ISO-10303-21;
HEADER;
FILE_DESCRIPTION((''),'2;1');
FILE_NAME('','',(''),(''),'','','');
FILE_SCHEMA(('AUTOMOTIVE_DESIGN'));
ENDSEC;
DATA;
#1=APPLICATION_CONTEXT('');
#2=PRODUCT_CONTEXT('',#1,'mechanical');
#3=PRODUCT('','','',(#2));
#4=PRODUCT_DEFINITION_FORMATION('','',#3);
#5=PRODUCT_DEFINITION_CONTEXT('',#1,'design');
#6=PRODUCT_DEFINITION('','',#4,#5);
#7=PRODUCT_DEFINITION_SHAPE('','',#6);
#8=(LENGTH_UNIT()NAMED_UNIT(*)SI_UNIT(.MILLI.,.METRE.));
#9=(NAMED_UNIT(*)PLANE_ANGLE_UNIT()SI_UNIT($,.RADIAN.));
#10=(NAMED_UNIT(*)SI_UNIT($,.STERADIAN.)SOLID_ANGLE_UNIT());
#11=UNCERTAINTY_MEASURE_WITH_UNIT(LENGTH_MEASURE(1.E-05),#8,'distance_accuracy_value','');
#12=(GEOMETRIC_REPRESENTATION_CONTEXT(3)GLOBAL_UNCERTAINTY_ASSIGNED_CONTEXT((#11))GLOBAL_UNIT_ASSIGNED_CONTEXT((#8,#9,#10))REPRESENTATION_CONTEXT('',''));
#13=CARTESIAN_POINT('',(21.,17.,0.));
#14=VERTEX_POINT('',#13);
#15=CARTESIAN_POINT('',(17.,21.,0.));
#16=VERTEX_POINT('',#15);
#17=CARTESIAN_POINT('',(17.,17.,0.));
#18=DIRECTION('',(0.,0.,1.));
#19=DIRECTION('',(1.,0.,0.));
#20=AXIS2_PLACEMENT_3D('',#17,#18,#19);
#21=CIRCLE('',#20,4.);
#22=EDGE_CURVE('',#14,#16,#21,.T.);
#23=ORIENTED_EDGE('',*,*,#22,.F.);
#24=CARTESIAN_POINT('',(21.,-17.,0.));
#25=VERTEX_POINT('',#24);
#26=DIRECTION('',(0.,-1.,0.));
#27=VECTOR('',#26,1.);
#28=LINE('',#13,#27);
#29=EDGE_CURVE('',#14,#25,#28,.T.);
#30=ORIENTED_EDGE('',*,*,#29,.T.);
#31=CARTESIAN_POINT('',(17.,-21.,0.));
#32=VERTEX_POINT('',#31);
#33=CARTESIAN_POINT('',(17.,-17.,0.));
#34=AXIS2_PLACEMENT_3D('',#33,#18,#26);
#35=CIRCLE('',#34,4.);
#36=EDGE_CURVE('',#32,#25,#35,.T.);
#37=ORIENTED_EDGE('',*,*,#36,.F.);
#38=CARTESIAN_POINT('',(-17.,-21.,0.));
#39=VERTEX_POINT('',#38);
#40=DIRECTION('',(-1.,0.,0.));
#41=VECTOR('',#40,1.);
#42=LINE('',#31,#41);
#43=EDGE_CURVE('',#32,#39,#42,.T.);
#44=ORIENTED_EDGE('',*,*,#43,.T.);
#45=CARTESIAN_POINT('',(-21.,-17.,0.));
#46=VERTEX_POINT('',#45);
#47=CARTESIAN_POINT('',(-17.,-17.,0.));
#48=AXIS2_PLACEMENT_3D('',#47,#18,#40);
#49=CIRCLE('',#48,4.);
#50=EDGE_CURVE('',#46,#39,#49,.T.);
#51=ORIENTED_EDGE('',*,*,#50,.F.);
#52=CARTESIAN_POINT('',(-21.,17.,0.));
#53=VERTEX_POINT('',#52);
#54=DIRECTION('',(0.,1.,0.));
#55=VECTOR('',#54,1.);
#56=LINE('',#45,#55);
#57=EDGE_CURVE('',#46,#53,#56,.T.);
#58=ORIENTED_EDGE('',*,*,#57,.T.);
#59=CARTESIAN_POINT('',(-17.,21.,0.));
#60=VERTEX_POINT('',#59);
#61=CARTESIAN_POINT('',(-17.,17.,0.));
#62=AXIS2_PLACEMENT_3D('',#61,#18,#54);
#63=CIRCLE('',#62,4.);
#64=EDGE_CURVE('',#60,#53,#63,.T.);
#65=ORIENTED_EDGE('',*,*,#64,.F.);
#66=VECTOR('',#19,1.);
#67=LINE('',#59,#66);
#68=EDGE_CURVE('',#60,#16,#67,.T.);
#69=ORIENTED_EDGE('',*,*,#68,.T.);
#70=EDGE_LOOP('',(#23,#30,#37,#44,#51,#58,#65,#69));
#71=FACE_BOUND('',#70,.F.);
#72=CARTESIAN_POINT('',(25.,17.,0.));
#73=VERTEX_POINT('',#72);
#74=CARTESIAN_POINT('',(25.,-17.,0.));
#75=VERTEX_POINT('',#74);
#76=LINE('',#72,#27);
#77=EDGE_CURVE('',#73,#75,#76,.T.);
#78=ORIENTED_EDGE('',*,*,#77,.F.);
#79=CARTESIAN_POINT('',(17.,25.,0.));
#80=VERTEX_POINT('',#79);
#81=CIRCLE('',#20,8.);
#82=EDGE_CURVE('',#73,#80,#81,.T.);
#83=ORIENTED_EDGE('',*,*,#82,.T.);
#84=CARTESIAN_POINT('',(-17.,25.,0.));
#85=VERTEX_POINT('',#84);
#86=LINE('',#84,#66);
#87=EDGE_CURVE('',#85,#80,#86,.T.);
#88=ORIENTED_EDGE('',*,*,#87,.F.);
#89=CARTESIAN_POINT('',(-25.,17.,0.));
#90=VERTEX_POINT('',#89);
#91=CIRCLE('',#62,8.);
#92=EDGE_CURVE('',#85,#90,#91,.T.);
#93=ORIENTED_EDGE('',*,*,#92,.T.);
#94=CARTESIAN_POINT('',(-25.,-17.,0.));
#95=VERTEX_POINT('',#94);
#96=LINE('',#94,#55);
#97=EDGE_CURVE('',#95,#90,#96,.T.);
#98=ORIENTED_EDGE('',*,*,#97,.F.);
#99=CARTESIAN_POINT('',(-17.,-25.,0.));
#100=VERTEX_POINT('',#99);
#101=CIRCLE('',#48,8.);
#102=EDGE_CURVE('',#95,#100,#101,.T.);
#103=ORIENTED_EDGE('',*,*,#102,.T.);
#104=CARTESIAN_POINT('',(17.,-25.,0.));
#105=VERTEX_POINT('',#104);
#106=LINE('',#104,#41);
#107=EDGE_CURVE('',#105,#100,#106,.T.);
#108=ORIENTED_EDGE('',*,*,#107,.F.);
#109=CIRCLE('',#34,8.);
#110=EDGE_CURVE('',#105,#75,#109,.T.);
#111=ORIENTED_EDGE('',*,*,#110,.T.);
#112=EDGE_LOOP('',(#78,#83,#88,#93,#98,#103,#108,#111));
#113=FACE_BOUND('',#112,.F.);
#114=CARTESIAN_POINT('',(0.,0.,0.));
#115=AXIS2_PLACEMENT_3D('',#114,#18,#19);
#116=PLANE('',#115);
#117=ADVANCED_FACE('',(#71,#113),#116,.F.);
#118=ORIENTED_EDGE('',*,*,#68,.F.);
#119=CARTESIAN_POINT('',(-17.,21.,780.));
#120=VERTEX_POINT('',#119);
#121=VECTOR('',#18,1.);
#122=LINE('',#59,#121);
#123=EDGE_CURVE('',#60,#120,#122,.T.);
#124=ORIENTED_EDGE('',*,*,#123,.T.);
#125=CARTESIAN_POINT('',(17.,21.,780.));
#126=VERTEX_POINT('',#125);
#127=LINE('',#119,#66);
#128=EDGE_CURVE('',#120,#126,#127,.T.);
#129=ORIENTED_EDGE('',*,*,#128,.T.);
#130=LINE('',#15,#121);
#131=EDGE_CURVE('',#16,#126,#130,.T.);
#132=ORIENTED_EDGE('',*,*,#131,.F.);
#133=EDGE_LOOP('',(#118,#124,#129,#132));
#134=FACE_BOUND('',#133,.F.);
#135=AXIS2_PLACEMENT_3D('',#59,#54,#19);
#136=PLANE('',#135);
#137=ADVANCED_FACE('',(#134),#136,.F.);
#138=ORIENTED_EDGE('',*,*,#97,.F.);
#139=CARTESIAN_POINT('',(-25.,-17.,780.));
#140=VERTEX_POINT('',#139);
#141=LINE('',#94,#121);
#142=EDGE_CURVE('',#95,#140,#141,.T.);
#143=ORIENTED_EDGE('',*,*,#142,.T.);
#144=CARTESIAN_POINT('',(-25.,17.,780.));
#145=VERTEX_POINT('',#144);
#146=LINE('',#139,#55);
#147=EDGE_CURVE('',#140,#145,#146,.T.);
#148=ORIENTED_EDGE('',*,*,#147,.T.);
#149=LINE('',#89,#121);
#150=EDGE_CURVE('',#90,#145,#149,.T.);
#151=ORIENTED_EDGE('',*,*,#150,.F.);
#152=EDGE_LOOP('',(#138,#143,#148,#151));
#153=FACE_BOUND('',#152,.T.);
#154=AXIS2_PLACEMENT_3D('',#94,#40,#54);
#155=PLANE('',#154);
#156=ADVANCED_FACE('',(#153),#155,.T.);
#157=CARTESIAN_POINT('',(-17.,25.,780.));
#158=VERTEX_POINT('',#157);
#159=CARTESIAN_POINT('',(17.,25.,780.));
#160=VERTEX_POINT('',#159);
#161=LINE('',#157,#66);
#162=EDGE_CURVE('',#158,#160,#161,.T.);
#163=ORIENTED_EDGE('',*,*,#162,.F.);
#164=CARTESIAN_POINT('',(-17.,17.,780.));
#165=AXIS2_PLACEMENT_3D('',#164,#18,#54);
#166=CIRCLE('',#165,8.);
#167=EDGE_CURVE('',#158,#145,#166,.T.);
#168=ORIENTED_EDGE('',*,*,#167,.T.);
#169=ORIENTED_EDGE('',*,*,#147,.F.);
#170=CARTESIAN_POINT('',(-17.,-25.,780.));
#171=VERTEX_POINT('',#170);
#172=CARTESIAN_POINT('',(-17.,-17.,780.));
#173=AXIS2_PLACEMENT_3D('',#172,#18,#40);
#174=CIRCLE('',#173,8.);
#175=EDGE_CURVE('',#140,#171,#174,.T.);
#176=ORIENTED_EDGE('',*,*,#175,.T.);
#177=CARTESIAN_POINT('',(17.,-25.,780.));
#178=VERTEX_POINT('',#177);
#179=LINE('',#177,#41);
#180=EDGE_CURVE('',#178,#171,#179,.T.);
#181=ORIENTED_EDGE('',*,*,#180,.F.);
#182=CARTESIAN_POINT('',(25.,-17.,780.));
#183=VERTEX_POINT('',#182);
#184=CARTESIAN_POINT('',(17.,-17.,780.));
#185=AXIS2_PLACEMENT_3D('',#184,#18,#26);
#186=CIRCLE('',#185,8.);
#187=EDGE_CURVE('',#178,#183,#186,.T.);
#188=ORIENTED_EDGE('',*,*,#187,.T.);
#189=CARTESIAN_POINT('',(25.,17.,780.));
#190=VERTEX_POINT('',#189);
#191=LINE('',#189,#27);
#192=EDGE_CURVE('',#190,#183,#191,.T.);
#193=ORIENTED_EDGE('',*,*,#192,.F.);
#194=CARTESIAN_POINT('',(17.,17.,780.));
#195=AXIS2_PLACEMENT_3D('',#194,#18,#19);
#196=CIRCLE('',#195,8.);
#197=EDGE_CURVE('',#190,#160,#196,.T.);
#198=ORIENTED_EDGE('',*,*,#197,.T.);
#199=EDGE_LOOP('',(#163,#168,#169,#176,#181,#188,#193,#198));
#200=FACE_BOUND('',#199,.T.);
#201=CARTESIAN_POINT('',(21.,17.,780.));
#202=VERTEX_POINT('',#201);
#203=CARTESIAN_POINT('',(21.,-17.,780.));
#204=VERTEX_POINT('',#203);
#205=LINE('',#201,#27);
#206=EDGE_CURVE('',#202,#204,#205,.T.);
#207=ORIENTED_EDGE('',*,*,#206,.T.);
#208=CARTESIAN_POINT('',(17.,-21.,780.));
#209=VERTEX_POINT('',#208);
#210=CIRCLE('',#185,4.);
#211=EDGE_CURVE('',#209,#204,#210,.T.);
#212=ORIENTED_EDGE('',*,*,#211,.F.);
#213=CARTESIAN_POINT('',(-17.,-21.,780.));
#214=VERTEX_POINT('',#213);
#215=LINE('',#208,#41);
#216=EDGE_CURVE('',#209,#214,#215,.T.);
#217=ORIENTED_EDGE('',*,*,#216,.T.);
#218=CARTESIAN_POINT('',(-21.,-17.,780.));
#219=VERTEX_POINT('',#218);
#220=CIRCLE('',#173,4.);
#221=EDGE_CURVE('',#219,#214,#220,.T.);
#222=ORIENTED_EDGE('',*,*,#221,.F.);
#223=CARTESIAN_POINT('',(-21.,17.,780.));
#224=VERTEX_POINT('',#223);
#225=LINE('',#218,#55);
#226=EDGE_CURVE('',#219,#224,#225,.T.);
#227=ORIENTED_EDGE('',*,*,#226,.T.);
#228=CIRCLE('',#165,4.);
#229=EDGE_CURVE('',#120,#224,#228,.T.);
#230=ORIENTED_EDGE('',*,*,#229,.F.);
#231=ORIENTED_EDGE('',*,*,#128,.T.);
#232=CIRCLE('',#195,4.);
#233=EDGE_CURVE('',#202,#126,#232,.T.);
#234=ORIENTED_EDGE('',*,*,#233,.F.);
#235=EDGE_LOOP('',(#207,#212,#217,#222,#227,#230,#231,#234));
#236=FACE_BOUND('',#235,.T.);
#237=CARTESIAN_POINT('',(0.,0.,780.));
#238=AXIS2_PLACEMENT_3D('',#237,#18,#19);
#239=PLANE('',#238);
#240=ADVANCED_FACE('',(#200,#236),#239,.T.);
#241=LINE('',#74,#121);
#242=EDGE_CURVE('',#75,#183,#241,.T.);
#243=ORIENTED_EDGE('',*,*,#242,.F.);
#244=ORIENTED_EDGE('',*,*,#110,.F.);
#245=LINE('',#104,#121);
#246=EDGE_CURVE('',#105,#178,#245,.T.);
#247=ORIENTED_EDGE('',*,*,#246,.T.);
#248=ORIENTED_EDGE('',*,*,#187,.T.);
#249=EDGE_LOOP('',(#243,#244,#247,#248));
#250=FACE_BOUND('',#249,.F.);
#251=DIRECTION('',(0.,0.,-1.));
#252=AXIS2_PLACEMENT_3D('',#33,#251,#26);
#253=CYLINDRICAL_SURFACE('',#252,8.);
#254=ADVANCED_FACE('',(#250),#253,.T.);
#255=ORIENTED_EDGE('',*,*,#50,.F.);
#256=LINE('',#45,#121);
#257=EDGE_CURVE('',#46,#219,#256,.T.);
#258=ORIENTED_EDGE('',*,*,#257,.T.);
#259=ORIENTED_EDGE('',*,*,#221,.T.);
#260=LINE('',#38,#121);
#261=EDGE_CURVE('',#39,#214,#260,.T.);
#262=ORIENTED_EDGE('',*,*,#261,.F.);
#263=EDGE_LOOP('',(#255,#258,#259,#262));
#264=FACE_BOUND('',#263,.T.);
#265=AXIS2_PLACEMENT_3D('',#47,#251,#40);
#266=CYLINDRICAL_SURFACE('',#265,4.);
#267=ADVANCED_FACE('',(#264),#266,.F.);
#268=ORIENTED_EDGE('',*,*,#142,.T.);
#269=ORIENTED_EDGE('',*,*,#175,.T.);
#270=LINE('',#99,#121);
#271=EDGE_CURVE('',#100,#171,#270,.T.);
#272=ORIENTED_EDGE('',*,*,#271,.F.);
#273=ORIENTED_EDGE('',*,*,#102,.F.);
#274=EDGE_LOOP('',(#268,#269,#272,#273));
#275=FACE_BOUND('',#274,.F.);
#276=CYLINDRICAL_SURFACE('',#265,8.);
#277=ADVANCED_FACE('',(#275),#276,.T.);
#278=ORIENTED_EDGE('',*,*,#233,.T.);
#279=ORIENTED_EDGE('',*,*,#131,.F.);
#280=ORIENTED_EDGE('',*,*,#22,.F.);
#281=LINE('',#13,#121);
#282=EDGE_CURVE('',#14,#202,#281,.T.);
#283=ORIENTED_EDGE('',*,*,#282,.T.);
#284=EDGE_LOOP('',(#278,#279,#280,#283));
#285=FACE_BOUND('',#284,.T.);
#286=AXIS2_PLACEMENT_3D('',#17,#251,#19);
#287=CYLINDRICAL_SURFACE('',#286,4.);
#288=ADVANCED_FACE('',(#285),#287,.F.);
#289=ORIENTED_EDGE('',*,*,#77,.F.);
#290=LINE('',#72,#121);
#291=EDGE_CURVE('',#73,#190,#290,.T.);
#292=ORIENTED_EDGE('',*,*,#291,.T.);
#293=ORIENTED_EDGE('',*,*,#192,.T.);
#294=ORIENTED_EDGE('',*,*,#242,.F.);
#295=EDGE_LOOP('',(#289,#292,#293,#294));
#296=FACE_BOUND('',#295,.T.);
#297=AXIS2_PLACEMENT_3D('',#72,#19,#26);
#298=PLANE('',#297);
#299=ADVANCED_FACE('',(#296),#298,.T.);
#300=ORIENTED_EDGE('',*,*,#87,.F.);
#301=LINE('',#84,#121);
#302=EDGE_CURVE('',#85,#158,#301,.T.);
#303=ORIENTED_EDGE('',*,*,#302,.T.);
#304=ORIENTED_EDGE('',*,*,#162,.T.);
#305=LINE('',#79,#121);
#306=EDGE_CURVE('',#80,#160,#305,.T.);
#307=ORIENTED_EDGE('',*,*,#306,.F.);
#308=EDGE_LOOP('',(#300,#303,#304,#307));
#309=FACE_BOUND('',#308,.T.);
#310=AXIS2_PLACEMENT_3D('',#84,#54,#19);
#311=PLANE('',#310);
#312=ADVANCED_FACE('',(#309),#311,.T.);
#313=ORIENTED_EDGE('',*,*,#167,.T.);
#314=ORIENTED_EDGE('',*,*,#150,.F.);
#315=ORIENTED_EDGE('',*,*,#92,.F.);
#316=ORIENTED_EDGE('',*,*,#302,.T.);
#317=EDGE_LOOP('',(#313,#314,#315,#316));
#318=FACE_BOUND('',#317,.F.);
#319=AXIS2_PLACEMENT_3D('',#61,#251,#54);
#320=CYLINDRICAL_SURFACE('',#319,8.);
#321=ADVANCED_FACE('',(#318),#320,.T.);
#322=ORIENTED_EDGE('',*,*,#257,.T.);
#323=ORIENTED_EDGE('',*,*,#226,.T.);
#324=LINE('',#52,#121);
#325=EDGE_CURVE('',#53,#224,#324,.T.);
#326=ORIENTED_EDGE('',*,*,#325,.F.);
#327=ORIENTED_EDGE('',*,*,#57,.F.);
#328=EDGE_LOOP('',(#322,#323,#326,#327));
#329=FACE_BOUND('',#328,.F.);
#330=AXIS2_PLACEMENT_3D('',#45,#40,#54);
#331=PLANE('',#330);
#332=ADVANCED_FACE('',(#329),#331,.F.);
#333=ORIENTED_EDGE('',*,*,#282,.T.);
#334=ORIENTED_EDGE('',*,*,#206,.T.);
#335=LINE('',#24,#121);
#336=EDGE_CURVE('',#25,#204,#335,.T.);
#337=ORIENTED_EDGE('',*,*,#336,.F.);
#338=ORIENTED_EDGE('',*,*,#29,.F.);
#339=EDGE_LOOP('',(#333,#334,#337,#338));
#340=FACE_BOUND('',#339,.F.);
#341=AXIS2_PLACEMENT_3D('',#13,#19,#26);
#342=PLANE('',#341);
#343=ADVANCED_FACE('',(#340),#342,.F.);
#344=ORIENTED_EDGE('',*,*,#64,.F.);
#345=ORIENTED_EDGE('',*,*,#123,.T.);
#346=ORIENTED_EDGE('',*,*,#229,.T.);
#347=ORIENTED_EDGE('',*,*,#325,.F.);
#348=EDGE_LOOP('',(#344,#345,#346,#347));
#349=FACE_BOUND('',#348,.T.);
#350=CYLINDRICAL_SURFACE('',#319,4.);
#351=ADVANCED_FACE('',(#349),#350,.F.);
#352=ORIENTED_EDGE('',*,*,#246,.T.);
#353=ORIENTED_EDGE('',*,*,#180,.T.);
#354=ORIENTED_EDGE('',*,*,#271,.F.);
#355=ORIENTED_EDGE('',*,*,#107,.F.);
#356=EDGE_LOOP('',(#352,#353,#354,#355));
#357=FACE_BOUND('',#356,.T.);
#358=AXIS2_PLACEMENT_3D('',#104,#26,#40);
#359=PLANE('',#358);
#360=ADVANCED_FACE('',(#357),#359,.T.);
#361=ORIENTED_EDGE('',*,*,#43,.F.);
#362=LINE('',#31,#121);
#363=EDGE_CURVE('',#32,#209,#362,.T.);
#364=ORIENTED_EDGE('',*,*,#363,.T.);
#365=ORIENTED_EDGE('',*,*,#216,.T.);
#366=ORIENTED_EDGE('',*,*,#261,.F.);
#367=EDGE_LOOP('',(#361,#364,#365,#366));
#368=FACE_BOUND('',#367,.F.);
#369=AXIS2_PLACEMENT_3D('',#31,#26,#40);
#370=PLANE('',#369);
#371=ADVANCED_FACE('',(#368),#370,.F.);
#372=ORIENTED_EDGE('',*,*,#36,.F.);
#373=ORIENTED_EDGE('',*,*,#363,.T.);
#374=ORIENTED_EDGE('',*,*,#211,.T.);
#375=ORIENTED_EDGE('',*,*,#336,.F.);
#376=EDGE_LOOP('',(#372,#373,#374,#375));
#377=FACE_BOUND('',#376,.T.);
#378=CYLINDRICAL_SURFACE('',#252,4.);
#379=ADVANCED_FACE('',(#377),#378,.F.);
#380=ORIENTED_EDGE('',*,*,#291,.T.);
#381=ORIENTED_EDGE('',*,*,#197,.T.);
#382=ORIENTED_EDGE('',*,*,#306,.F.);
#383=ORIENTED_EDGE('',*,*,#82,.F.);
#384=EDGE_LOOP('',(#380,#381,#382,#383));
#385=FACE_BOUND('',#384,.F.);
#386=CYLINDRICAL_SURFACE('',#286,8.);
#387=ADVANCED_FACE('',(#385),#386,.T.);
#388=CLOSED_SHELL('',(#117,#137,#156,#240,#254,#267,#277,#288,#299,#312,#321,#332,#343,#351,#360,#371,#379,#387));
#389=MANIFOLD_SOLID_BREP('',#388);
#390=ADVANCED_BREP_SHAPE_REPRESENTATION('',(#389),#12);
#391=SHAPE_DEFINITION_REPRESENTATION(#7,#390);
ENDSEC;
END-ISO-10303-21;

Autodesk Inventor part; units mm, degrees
ref_plane "YZ Plane" through (0, 0, 0) normal (1, 0, 0) x (0, 1, 0)
ref_plane "Start Plane" through (0, 0, 0) normal (0, 0, 1) x (1, 0, 0)
ref_plane "End Plane" through (0, 0, 780) normal (0, 0, 1) x (1, 0, 0)
sketch "Sketch" plane through (0, 0, 0) normal (0, 0, 1) x (1, 0, 0)
  line L0 (-25, -17) -> (-25, 17)
  line L1 (-17, 25) -> (17, 25)
  line L2 (25, 17) -> (25, -17)
  line L3 (17, -25) -> (-17, -25)
  arc A0 (-25, -17) -> (-17, -25) centre (-17, -17) ccw
  arc A1 (25, 17) -> (17, 25) centre (17, 17) ccw
  arc A2 (-17, 25) -> (-25, 17) centre (-17, 17) ccw
  arc A3 (17, -25) -> (25, -17) centre (17, -17) ccw
  arc A4 (-17, 21) -> (-21, 17) centre (-17, 17) ccw
  line L4 (-17, 21) -> (17, 21)
  arc A5 (21, 17) -> (17, 21) centre (17, 17) ccw
  line L5 (21, 17) -> (21, -17)
  arc A6 (17, -21) -> (21, -17) centre (17, -17) ccw
  line L6 (17, -21) -> (-17, -21)
  arc A7 (-21, -17) -> (-17, -21) centre (-17, -17) ccw
  line L7 (-21, -17) -> (-21, 17)
  line L8 (0, 37.3196) -> (0, -37.3196) construction
  line L9 (-37.3196, 0) -> (37.3196, 0) construction
  dimension "d7" = 8
  dimension "d9" = 50
  dimension "d11" = 50
  dimension "d12" = 4
  dimension "d15" = 25
  dimension "d16" = 25
extrude "Body" add sketch "Sketch" along normal up to surface (780 mm away) from surface at 0
sketch "Sketch3" plane through (0, 0, 0) normal (0, 0, 1) x (1, 0, 0)
  line L0 (0, 0) -> (10, 0)
ref_plane "Work Plane3" through (0, 0, 0) normal (0, -1, 0) x (1, 0, 0)
sketch "Sketch4" plane through (0, 0, 0) normal (0, -1, 0) x (1, 0, 0)
  line L0 (-2, 0) -> (12, 0) projected
  line L1 (-2, 780) -> (12, 780) projected
  dimension "d18" = 780
equation "\"d7\" = G_IR"
equation "\"d9\" = G_W"
equation "\"d11\" = G_H"
equation "\"d12\" = G_T"
equation "\"d15\" = 0.5 * d9"
equation "\"d16\" = 0.5 * d11"
equation "\"d3\" = G_L"
equation "\"G_W\" = 50"
equation "\"G_H\" = 50"
equation "\"G_T\" = 4"
equation "\"G_IR\" = 8"
equation "\"G_L\" = d18"
equation "\"G_OFFSET_START\" = 0"
equation "\"G_OFFSET_END\" = 0"
properties part number "ISO 4019 - 50x50x4 - 780" material "Steel, Mild"
